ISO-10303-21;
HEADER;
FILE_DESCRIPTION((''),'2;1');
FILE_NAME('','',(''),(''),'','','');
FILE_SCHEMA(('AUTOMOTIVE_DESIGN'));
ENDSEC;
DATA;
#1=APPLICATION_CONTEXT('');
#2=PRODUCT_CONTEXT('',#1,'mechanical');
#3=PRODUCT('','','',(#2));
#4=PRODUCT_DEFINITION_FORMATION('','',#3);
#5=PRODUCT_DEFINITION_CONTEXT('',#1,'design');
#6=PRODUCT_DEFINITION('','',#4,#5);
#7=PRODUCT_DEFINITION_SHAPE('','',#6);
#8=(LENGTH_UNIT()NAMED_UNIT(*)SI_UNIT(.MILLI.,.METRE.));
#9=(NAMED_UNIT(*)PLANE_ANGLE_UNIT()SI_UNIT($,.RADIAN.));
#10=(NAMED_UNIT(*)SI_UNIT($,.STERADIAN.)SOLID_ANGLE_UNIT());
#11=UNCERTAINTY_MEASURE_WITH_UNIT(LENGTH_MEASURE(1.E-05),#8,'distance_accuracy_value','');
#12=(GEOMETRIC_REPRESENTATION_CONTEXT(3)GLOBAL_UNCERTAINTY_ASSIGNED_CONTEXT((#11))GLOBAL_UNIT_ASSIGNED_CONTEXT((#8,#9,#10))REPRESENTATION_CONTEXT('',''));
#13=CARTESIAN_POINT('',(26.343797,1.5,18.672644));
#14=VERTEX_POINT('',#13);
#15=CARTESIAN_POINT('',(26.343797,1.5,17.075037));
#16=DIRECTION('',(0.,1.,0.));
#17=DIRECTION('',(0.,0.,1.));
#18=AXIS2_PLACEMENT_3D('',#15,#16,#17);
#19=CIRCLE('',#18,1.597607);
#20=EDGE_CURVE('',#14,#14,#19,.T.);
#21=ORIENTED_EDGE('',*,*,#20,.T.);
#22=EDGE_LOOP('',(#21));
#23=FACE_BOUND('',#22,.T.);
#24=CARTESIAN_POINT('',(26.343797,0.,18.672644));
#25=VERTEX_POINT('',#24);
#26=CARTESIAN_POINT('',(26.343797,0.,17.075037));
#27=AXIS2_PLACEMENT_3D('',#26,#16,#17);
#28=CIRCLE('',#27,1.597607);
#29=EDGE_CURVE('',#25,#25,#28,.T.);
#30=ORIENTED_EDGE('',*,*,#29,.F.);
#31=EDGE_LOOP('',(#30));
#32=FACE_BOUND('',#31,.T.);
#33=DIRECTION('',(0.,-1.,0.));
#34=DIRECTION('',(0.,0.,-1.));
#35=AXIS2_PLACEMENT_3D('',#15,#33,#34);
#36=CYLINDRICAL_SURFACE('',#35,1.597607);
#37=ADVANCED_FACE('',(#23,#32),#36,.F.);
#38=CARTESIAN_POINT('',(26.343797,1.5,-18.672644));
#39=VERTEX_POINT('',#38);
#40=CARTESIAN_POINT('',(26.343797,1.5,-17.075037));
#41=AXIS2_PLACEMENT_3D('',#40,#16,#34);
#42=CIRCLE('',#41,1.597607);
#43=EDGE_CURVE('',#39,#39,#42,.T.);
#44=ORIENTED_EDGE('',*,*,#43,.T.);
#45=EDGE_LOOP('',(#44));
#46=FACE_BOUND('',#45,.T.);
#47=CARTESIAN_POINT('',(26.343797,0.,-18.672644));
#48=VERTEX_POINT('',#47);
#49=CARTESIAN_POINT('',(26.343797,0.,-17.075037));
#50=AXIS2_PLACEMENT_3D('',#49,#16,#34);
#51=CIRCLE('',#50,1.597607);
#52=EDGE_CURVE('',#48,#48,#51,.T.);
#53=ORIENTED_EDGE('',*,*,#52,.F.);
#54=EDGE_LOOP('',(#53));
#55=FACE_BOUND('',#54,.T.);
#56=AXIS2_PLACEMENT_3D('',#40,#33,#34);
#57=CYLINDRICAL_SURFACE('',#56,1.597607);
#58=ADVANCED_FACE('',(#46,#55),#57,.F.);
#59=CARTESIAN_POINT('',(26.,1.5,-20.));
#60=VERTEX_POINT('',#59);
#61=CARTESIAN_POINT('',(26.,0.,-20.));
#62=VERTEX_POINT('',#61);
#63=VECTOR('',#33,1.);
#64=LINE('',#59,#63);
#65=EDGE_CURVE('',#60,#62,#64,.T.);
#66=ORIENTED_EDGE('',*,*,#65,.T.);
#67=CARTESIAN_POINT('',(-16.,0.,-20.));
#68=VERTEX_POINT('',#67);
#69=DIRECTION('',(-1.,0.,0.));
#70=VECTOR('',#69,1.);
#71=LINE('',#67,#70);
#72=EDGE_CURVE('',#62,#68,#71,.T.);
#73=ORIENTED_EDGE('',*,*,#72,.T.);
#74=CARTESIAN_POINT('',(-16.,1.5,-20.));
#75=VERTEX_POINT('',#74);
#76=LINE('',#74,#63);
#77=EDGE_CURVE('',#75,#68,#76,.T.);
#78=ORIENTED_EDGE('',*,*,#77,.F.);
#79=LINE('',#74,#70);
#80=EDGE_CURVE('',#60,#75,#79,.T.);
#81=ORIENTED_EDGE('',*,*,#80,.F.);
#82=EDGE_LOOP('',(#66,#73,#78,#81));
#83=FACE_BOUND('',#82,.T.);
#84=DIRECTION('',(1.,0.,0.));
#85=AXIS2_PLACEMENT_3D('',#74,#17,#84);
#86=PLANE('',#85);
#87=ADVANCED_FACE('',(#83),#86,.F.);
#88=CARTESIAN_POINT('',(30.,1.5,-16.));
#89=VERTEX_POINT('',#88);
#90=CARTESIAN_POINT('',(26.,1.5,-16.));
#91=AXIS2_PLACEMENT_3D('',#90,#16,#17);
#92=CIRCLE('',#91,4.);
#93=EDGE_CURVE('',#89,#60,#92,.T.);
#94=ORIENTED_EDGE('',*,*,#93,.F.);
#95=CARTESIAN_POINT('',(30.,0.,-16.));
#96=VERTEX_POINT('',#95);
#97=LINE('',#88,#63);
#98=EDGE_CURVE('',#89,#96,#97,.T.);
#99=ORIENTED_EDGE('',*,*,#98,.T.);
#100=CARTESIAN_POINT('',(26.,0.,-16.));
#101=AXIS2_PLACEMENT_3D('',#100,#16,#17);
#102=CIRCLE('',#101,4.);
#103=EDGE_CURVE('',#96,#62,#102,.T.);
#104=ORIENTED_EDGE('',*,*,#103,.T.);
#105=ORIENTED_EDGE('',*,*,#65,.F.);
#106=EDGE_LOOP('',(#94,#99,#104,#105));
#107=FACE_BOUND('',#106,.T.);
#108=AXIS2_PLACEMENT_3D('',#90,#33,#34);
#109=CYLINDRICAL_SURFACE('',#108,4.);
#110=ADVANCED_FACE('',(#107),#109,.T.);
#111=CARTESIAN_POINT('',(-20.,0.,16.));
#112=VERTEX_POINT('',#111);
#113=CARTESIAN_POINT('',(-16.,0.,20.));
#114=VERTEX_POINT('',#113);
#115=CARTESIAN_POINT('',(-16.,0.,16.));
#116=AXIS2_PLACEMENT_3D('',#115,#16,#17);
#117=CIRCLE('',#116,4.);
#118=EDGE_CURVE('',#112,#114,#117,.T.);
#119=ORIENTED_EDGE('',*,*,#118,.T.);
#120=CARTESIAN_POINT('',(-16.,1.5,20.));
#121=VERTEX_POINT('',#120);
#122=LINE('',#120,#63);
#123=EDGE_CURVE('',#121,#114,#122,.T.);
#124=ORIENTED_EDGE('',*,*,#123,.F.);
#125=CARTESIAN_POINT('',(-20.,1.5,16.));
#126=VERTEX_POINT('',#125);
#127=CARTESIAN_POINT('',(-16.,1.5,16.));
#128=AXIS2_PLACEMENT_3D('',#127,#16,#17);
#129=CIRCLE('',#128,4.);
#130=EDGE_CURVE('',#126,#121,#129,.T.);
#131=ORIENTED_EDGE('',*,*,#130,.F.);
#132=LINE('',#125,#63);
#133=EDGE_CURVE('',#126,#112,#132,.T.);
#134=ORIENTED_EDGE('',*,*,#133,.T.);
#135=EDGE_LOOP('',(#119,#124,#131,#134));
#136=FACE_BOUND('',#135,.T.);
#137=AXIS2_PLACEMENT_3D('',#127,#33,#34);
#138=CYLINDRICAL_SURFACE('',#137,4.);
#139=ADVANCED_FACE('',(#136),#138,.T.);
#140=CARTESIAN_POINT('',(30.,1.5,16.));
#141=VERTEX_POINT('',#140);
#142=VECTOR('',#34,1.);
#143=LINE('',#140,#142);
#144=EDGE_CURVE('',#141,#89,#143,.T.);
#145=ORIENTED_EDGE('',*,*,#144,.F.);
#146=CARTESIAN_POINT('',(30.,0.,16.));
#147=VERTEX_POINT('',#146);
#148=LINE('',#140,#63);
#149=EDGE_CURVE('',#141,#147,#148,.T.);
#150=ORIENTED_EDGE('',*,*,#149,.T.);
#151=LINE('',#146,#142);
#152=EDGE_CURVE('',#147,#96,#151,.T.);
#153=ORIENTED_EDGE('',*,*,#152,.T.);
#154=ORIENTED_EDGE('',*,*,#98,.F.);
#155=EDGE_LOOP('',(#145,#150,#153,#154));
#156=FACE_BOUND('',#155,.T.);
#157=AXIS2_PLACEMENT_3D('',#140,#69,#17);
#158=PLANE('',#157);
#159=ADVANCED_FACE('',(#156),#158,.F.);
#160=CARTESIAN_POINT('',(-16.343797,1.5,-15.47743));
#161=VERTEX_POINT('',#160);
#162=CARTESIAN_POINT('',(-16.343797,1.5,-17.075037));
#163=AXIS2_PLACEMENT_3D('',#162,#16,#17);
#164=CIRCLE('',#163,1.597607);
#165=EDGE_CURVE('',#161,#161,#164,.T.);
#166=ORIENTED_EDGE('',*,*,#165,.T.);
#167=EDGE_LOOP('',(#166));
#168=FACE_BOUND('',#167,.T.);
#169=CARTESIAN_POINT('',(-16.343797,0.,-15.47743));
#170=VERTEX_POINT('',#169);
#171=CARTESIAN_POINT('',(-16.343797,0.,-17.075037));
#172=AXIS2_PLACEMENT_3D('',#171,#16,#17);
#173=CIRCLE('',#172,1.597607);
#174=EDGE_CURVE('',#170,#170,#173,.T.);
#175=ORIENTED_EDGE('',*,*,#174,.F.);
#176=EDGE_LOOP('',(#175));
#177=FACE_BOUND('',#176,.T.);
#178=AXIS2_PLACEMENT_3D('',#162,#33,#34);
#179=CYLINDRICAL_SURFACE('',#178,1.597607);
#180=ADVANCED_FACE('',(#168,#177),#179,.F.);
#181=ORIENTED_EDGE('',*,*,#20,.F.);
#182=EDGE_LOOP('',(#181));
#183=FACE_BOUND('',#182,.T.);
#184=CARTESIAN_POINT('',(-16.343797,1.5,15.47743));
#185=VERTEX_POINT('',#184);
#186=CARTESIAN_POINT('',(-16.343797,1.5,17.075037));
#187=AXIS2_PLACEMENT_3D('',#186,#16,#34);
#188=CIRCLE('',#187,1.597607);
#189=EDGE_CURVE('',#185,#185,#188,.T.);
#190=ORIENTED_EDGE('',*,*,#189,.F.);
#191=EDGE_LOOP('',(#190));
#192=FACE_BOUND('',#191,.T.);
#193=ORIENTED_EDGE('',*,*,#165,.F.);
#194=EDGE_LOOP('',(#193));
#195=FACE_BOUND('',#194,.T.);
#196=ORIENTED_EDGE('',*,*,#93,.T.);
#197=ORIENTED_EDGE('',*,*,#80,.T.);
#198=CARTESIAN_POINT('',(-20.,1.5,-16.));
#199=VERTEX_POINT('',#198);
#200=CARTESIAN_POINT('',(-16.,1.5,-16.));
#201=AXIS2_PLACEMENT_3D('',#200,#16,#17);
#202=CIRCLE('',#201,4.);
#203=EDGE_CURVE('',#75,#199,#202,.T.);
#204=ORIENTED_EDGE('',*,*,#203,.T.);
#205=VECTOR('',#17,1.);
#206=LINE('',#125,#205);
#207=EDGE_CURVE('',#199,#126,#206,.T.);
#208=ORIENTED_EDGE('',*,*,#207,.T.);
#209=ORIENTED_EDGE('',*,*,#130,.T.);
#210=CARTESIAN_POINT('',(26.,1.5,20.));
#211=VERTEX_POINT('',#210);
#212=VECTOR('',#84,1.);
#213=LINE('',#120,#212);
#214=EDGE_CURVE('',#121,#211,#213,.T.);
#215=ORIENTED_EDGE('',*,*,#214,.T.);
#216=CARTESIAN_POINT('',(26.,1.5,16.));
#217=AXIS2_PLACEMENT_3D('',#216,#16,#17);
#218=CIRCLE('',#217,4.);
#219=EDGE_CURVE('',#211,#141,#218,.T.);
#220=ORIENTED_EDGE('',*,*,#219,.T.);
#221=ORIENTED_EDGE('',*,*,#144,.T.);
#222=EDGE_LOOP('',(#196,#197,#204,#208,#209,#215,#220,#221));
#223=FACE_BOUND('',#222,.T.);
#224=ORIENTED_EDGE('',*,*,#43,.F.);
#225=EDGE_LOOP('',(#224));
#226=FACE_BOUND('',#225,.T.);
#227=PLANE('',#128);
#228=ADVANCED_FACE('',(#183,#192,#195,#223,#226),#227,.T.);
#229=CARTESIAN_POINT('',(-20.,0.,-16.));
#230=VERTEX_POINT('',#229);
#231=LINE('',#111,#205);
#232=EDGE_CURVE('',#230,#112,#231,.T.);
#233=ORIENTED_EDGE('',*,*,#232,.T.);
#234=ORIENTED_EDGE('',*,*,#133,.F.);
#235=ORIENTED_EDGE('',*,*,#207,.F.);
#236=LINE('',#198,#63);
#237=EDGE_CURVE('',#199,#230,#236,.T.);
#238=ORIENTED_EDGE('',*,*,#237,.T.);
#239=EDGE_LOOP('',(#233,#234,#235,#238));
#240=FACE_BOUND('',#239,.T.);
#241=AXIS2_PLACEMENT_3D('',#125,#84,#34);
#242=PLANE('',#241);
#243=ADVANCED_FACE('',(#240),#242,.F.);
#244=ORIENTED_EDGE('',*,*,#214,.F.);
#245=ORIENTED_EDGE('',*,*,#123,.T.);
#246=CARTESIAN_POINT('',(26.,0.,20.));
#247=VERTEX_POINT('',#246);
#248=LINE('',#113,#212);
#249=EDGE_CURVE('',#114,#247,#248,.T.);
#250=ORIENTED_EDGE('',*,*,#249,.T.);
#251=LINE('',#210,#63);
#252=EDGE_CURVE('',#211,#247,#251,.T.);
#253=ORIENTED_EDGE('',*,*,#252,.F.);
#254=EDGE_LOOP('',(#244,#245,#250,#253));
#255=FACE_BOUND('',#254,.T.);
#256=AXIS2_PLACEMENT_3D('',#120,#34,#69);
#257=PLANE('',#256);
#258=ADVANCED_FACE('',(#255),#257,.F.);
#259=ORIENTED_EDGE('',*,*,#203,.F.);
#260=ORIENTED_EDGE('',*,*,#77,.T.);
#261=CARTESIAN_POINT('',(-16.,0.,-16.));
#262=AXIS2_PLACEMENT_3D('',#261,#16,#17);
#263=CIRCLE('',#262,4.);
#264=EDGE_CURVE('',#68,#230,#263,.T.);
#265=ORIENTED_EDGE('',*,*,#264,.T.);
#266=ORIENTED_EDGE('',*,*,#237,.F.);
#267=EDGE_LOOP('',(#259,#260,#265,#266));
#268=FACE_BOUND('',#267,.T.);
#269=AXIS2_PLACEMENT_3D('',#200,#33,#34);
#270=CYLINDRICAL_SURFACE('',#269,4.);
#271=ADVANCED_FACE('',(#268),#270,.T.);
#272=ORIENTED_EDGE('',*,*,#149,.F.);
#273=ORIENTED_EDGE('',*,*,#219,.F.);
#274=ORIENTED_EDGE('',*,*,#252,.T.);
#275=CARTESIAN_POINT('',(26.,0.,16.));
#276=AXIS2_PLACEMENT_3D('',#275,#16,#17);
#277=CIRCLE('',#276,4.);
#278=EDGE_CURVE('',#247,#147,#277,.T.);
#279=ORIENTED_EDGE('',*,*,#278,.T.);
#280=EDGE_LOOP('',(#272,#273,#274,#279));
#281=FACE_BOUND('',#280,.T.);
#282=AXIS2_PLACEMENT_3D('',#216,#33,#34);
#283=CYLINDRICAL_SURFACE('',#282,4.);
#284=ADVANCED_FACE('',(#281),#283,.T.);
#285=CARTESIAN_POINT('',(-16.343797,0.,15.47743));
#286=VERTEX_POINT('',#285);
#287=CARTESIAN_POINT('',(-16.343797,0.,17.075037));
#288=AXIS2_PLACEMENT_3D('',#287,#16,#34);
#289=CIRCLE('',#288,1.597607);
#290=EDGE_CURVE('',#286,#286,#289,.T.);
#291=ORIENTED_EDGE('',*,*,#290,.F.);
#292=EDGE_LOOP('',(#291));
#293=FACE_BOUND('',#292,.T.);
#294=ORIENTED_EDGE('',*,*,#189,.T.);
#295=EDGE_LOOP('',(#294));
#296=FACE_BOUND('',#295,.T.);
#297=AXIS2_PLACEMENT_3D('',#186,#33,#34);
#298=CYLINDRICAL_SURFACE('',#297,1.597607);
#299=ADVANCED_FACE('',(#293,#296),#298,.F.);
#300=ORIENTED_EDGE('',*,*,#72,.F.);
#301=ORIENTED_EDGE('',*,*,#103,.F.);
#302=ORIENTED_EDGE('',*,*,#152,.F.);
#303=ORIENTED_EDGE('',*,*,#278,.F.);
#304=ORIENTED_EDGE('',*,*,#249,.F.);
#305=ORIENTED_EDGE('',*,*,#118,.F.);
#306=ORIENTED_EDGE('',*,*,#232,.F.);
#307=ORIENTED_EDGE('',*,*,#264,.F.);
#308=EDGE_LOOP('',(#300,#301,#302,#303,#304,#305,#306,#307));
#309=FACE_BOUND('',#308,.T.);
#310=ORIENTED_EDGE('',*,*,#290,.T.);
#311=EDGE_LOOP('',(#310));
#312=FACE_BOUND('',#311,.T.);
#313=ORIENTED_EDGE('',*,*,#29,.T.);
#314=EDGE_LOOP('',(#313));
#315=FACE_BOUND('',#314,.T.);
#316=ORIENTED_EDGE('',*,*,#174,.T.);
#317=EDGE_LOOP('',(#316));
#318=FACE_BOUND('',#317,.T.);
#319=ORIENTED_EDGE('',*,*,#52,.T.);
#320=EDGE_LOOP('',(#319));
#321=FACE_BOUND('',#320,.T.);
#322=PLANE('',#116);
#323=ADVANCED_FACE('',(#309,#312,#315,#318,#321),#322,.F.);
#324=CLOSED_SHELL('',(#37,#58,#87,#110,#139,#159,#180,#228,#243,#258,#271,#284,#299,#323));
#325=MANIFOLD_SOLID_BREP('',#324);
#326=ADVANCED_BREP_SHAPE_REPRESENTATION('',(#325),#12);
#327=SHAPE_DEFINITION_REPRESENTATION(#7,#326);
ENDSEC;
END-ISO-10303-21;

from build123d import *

# Parameters (mm, degrees)
SKETCH_1_R      = 1.597606998
EXTRUDE_1_DEPTH = 1.5


with BuildPart() as part:
    # Эскиз1 → Бобышка-Вытянуть1 (new body)
    with BuildSketch(Plane(origin=(0, 0, 0), x_dir=(1, 0, 0), z_dir=(0, 1, 0))):
        with BuildLine():
            Line((-16, -20), (26, -20))
            ThreePointArc((26, -20), (28.828427125, -18.828427125), (30, -16))
            Line((30, -16), (30, 16))
            ThreePointArc((30, 16), (28.828427125, 18.828427125), (26, 20))
            Line((26, 20), (-16, 20))
            ThreePointArc((-16, 20), (-18.828427125, 18.828427125), (-20, 16))
            Line((-20, 16), (-20, -16))
            ThreePointArc((-20, -16), (-18.828427125, -18.828427125), (-16, -20))
        make_face()
        with Locations(Location((-16.343796559, 17.075037247, 0), (0, 0, 270))):
            Circle(SKETCH_1_R, mode=Mode.SUBTRACT)
        with Locations(Location((26.343796559, -17.075037247, 0), (0, 0, 270))):
            Circle(SKETCH_1_R, mode=Mode.SUBTRACT)
        with Locations(Location((26.343796559, 17.075037247, 0), (0, 0, 90))):
            Circle(SKETCH_1_R, mode=Mode.SUBTRACT)
        with Locations(Location((-16.343796559, -17.075037247, 0), (0, 0, 90))):
            Circle(SKETCH_1_R, mode=Mode.SUBTRACT)
    extrude(amount=EXTRUDE_1_DEPTH)


solid = part.part
